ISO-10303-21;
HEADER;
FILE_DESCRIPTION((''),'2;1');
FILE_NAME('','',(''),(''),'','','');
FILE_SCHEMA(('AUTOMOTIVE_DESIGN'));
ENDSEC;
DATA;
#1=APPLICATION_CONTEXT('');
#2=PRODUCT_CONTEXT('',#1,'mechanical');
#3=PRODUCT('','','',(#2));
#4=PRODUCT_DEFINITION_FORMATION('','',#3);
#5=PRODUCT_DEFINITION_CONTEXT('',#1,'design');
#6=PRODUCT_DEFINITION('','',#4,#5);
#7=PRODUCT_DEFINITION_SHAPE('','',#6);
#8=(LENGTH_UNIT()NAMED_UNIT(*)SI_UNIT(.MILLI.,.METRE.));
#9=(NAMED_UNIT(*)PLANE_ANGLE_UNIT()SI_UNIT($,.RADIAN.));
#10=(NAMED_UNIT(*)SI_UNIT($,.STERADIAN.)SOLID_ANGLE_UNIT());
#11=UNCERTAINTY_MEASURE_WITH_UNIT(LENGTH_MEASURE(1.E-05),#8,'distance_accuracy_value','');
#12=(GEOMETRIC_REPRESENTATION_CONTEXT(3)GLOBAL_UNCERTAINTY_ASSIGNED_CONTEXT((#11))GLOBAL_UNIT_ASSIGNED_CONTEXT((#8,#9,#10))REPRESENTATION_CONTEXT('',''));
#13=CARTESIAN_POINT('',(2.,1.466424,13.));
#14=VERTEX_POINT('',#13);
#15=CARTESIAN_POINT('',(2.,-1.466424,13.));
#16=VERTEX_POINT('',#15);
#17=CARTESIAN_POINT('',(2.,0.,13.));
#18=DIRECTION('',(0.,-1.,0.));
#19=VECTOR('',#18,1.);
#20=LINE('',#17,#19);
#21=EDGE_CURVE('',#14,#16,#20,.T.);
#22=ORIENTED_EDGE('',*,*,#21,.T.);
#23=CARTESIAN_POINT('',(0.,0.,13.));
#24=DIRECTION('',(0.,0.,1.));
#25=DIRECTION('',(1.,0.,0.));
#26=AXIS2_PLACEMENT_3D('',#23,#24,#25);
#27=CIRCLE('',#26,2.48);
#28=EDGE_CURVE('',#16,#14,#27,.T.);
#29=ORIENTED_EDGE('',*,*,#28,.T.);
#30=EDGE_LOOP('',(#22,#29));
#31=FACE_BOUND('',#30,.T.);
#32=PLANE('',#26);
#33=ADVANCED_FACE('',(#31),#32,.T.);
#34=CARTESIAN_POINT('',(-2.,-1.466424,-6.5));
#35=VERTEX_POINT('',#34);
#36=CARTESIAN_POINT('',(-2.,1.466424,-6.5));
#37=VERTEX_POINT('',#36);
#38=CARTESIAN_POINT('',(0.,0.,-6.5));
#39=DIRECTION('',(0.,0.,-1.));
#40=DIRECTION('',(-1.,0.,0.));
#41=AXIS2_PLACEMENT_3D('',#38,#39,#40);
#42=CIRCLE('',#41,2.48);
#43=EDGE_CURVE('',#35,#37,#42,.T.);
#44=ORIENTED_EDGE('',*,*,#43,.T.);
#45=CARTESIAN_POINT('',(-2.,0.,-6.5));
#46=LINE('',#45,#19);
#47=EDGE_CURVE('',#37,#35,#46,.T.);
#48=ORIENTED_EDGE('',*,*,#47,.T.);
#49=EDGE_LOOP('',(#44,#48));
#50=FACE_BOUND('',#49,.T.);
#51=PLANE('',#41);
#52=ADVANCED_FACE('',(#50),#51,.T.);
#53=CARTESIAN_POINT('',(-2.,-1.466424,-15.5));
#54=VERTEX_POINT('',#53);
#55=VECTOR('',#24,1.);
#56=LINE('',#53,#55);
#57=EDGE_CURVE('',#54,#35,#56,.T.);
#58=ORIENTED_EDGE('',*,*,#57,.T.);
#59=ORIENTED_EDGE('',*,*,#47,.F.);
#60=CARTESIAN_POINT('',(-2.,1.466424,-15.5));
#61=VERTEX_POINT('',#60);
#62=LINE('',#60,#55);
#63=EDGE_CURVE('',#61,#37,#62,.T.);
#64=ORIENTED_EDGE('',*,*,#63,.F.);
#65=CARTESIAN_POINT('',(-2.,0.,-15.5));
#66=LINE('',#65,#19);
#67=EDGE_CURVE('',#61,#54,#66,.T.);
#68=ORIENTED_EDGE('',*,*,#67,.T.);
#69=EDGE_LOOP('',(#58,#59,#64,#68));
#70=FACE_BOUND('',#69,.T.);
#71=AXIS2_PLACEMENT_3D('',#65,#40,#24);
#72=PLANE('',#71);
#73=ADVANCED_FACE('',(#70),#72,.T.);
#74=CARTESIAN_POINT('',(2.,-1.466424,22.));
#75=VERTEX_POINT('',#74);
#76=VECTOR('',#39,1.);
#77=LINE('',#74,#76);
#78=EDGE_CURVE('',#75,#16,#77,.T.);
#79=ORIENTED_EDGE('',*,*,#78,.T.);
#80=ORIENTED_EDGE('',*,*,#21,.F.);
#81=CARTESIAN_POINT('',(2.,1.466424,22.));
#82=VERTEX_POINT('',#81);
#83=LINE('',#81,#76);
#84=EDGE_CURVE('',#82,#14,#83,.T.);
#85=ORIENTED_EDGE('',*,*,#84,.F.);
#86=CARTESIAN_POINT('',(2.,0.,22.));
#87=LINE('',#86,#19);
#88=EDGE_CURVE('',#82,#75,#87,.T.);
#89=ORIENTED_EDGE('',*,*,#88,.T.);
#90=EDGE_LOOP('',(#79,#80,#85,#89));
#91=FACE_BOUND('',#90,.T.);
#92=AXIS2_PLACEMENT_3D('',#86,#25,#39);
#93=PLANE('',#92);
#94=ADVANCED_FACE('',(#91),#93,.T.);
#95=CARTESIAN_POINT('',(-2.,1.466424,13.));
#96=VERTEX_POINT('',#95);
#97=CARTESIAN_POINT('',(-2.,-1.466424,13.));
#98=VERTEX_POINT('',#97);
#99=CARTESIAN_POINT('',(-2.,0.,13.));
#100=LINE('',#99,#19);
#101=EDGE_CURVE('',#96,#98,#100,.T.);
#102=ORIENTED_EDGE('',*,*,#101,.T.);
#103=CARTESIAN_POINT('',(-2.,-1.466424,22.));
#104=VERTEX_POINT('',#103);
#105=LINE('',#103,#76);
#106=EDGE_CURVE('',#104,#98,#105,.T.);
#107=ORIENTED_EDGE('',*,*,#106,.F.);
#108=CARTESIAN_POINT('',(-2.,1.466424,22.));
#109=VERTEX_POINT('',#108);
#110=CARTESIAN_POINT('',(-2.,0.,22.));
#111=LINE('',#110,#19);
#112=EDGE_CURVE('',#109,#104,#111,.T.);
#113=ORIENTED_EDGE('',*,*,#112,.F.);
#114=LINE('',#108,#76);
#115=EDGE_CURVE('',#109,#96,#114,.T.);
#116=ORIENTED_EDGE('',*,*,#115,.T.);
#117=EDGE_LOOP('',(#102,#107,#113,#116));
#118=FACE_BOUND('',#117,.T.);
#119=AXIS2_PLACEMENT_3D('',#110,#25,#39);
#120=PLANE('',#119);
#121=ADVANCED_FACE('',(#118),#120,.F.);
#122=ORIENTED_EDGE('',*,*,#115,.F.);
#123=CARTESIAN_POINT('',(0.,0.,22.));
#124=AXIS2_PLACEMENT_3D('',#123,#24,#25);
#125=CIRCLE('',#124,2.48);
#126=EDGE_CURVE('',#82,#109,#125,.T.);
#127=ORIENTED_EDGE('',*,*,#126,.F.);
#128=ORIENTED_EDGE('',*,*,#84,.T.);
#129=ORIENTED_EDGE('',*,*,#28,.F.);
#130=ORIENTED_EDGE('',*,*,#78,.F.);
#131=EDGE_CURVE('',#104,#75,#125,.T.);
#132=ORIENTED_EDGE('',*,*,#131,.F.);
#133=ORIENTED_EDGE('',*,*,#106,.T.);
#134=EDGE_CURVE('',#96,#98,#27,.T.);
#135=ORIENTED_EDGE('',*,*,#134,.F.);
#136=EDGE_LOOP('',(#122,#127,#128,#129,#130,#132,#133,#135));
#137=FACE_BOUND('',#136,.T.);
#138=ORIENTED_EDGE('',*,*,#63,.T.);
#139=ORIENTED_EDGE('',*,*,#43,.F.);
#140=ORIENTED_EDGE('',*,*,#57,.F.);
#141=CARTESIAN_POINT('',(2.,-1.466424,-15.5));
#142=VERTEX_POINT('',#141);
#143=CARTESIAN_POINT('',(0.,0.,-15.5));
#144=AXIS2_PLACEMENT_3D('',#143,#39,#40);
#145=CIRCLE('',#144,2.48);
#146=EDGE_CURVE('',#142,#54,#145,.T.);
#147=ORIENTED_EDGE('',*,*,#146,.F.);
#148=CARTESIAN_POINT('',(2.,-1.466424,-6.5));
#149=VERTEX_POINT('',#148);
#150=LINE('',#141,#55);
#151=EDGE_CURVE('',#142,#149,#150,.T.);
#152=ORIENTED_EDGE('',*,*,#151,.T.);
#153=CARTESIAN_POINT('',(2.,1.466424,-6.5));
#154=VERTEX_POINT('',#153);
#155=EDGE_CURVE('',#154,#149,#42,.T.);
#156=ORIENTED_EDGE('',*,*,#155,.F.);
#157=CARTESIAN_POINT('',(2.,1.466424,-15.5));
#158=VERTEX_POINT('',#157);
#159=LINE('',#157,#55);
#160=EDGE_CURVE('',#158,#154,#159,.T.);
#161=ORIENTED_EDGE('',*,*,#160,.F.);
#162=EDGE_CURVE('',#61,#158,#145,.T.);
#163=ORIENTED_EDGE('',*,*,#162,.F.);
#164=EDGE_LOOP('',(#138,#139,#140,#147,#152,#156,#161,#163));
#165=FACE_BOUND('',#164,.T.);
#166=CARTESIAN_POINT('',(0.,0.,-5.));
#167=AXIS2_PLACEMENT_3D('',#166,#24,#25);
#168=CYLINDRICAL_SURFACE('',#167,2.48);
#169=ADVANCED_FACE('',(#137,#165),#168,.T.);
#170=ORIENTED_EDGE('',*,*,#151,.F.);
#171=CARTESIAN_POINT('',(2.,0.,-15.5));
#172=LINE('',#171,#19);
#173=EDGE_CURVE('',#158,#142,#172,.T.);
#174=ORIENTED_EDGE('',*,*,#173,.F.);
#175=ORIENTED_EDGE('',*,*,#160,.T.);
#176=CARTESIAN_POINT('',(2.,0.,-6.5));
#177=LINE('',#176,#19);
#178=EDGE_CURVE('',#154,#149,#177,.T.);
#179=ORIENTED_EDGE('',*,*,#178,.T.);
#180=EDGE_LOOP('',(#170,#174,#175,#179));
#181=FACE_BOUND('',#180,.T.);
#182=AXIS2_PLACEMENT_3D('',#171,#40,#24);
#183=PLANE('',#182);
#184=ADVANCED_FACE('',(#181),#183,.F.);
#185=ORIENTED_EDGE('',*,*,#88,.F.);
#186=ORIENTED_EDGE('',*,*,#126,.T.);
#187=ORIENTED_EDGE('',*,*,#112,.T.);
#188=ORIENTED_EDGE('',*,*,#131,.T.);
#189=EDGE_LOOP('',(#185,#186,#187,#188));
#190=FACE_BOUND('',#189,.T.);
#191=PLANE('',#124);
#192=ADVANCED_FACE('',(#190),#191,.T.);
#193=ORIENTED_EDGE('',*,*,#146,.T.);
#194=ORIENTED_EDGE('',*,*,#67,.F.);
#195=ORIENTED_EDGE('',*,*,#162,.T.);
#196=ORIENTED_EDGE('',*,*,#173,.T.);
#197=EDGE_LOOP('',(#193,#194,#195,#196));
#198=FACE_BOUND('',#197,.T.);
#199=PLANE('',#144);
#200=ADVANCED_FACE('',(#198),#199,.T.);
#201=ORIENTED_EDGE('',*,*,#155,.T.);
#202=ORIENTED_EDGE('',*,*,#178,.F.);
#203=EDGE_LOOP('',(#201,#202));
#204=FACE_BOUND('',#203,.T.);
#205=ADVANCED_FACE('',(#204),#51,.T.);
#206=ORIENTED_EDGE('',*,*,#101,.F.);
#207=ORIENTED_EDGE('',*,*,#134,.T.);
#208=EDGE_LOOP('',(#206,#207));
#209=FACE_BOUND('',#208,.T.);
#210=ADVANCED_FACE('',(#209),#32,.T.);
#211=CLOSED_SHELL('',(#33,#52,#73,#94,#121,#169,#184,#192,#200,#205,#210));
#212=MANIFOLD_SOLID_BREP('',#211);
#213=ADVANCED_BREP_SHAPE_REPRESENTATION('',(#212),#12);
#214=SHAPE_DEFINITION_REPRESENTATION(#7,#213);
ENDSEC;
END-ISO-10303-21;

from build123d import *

# Parameters (mm, degrees)
SKETCH1_R                = 2.48
BOSS_EXTRUDE1_DEPTH      = 11
BOSS_EXTRUDE1_DEPTH_BACK = 5
SKETCH2_R                = 2.48
BOSS_EXTRUDE2_DEPTH      = 2
BOSS_EXTRUDE3_DEPTH      = 9
SKETCH4_R                = 2.48
BOSS_EXTRUDE4_DEPTH      = 1.5
BOSS_EXTRUDE5_DEPTH      = 9


with BuildPart() as part:
    # Sketch1 → Boss-Extrude1 (new body, two sides)
    with BuildSketch(Plane.XY) as boss_extrude1_sk:
        Circle(SKETCH1_R)
    extrude(amount=BOSS_EXTRUDE1_DEPTH)
    extrude(boss_extrude1_sk.sketch, amount=-BOSS_EXTRUDE1_DEPTH_BACK)

    # Sketch2 → Boss-Extrude2 (add)
    with BuildSketch(Plane.XY.offset(11)):
        Circle(SKETCH2_R)
    extrude(amount=BOSS_EXTRUDE2_DEPTH)

    # Sketch3 → Boss-Extrude3 (add)
    with BuildSketch(Plane.XY.offset(13)):
        with BuildLine():
            ThreePointArc((2, 1.466424222), (0, 2.48), (-2, 1.466424222))
            Line((-2, 1.466424222), (-2, -1.466424222))
            ThreePointArc((-2, -1.466424222), (0, -2.48), (2, -1.466424222))
            Line((2, -1.466424222), (2, 1.466424222))
        make_face()
    extrude(amount=BOSS_EXTRUDE3_DEPTH)

    # Sketch4 → Boss-Extrude4 (add)
    with BuildSketch(Plane(origin=(0, 0, -5), x_dir=(-1, 0, 0), z_dir=(0, 0, -1))):
        Circle(SKETCH4_R)
    extrude(amount=BOSS_EXTRUDE4_DEPTH)

    # Sketch5 → Boss-Extrude5 (add)
    with BuildSketch(Plane(origin=(0, 0, -6.5), x_dir=(-1, 0, 0), z_dir=(0, 0, -1))):
        with BuildLine():
            ThreePointArc((2, 1.466424222), (0, 2.48), (-2, 1.466424222))
            Line((-2, 1.466424222), (-2, -1.466424222))
            ThreePointArc((-2, -1.466424222), (0, -2.48), (2, -1.466424222))
            Line((2, -1.466424222), (2, 1.466424222))
        make_face()
    extrude(amount=BOSS_EXTRUDE5_DEPTH)


solid = part.part
